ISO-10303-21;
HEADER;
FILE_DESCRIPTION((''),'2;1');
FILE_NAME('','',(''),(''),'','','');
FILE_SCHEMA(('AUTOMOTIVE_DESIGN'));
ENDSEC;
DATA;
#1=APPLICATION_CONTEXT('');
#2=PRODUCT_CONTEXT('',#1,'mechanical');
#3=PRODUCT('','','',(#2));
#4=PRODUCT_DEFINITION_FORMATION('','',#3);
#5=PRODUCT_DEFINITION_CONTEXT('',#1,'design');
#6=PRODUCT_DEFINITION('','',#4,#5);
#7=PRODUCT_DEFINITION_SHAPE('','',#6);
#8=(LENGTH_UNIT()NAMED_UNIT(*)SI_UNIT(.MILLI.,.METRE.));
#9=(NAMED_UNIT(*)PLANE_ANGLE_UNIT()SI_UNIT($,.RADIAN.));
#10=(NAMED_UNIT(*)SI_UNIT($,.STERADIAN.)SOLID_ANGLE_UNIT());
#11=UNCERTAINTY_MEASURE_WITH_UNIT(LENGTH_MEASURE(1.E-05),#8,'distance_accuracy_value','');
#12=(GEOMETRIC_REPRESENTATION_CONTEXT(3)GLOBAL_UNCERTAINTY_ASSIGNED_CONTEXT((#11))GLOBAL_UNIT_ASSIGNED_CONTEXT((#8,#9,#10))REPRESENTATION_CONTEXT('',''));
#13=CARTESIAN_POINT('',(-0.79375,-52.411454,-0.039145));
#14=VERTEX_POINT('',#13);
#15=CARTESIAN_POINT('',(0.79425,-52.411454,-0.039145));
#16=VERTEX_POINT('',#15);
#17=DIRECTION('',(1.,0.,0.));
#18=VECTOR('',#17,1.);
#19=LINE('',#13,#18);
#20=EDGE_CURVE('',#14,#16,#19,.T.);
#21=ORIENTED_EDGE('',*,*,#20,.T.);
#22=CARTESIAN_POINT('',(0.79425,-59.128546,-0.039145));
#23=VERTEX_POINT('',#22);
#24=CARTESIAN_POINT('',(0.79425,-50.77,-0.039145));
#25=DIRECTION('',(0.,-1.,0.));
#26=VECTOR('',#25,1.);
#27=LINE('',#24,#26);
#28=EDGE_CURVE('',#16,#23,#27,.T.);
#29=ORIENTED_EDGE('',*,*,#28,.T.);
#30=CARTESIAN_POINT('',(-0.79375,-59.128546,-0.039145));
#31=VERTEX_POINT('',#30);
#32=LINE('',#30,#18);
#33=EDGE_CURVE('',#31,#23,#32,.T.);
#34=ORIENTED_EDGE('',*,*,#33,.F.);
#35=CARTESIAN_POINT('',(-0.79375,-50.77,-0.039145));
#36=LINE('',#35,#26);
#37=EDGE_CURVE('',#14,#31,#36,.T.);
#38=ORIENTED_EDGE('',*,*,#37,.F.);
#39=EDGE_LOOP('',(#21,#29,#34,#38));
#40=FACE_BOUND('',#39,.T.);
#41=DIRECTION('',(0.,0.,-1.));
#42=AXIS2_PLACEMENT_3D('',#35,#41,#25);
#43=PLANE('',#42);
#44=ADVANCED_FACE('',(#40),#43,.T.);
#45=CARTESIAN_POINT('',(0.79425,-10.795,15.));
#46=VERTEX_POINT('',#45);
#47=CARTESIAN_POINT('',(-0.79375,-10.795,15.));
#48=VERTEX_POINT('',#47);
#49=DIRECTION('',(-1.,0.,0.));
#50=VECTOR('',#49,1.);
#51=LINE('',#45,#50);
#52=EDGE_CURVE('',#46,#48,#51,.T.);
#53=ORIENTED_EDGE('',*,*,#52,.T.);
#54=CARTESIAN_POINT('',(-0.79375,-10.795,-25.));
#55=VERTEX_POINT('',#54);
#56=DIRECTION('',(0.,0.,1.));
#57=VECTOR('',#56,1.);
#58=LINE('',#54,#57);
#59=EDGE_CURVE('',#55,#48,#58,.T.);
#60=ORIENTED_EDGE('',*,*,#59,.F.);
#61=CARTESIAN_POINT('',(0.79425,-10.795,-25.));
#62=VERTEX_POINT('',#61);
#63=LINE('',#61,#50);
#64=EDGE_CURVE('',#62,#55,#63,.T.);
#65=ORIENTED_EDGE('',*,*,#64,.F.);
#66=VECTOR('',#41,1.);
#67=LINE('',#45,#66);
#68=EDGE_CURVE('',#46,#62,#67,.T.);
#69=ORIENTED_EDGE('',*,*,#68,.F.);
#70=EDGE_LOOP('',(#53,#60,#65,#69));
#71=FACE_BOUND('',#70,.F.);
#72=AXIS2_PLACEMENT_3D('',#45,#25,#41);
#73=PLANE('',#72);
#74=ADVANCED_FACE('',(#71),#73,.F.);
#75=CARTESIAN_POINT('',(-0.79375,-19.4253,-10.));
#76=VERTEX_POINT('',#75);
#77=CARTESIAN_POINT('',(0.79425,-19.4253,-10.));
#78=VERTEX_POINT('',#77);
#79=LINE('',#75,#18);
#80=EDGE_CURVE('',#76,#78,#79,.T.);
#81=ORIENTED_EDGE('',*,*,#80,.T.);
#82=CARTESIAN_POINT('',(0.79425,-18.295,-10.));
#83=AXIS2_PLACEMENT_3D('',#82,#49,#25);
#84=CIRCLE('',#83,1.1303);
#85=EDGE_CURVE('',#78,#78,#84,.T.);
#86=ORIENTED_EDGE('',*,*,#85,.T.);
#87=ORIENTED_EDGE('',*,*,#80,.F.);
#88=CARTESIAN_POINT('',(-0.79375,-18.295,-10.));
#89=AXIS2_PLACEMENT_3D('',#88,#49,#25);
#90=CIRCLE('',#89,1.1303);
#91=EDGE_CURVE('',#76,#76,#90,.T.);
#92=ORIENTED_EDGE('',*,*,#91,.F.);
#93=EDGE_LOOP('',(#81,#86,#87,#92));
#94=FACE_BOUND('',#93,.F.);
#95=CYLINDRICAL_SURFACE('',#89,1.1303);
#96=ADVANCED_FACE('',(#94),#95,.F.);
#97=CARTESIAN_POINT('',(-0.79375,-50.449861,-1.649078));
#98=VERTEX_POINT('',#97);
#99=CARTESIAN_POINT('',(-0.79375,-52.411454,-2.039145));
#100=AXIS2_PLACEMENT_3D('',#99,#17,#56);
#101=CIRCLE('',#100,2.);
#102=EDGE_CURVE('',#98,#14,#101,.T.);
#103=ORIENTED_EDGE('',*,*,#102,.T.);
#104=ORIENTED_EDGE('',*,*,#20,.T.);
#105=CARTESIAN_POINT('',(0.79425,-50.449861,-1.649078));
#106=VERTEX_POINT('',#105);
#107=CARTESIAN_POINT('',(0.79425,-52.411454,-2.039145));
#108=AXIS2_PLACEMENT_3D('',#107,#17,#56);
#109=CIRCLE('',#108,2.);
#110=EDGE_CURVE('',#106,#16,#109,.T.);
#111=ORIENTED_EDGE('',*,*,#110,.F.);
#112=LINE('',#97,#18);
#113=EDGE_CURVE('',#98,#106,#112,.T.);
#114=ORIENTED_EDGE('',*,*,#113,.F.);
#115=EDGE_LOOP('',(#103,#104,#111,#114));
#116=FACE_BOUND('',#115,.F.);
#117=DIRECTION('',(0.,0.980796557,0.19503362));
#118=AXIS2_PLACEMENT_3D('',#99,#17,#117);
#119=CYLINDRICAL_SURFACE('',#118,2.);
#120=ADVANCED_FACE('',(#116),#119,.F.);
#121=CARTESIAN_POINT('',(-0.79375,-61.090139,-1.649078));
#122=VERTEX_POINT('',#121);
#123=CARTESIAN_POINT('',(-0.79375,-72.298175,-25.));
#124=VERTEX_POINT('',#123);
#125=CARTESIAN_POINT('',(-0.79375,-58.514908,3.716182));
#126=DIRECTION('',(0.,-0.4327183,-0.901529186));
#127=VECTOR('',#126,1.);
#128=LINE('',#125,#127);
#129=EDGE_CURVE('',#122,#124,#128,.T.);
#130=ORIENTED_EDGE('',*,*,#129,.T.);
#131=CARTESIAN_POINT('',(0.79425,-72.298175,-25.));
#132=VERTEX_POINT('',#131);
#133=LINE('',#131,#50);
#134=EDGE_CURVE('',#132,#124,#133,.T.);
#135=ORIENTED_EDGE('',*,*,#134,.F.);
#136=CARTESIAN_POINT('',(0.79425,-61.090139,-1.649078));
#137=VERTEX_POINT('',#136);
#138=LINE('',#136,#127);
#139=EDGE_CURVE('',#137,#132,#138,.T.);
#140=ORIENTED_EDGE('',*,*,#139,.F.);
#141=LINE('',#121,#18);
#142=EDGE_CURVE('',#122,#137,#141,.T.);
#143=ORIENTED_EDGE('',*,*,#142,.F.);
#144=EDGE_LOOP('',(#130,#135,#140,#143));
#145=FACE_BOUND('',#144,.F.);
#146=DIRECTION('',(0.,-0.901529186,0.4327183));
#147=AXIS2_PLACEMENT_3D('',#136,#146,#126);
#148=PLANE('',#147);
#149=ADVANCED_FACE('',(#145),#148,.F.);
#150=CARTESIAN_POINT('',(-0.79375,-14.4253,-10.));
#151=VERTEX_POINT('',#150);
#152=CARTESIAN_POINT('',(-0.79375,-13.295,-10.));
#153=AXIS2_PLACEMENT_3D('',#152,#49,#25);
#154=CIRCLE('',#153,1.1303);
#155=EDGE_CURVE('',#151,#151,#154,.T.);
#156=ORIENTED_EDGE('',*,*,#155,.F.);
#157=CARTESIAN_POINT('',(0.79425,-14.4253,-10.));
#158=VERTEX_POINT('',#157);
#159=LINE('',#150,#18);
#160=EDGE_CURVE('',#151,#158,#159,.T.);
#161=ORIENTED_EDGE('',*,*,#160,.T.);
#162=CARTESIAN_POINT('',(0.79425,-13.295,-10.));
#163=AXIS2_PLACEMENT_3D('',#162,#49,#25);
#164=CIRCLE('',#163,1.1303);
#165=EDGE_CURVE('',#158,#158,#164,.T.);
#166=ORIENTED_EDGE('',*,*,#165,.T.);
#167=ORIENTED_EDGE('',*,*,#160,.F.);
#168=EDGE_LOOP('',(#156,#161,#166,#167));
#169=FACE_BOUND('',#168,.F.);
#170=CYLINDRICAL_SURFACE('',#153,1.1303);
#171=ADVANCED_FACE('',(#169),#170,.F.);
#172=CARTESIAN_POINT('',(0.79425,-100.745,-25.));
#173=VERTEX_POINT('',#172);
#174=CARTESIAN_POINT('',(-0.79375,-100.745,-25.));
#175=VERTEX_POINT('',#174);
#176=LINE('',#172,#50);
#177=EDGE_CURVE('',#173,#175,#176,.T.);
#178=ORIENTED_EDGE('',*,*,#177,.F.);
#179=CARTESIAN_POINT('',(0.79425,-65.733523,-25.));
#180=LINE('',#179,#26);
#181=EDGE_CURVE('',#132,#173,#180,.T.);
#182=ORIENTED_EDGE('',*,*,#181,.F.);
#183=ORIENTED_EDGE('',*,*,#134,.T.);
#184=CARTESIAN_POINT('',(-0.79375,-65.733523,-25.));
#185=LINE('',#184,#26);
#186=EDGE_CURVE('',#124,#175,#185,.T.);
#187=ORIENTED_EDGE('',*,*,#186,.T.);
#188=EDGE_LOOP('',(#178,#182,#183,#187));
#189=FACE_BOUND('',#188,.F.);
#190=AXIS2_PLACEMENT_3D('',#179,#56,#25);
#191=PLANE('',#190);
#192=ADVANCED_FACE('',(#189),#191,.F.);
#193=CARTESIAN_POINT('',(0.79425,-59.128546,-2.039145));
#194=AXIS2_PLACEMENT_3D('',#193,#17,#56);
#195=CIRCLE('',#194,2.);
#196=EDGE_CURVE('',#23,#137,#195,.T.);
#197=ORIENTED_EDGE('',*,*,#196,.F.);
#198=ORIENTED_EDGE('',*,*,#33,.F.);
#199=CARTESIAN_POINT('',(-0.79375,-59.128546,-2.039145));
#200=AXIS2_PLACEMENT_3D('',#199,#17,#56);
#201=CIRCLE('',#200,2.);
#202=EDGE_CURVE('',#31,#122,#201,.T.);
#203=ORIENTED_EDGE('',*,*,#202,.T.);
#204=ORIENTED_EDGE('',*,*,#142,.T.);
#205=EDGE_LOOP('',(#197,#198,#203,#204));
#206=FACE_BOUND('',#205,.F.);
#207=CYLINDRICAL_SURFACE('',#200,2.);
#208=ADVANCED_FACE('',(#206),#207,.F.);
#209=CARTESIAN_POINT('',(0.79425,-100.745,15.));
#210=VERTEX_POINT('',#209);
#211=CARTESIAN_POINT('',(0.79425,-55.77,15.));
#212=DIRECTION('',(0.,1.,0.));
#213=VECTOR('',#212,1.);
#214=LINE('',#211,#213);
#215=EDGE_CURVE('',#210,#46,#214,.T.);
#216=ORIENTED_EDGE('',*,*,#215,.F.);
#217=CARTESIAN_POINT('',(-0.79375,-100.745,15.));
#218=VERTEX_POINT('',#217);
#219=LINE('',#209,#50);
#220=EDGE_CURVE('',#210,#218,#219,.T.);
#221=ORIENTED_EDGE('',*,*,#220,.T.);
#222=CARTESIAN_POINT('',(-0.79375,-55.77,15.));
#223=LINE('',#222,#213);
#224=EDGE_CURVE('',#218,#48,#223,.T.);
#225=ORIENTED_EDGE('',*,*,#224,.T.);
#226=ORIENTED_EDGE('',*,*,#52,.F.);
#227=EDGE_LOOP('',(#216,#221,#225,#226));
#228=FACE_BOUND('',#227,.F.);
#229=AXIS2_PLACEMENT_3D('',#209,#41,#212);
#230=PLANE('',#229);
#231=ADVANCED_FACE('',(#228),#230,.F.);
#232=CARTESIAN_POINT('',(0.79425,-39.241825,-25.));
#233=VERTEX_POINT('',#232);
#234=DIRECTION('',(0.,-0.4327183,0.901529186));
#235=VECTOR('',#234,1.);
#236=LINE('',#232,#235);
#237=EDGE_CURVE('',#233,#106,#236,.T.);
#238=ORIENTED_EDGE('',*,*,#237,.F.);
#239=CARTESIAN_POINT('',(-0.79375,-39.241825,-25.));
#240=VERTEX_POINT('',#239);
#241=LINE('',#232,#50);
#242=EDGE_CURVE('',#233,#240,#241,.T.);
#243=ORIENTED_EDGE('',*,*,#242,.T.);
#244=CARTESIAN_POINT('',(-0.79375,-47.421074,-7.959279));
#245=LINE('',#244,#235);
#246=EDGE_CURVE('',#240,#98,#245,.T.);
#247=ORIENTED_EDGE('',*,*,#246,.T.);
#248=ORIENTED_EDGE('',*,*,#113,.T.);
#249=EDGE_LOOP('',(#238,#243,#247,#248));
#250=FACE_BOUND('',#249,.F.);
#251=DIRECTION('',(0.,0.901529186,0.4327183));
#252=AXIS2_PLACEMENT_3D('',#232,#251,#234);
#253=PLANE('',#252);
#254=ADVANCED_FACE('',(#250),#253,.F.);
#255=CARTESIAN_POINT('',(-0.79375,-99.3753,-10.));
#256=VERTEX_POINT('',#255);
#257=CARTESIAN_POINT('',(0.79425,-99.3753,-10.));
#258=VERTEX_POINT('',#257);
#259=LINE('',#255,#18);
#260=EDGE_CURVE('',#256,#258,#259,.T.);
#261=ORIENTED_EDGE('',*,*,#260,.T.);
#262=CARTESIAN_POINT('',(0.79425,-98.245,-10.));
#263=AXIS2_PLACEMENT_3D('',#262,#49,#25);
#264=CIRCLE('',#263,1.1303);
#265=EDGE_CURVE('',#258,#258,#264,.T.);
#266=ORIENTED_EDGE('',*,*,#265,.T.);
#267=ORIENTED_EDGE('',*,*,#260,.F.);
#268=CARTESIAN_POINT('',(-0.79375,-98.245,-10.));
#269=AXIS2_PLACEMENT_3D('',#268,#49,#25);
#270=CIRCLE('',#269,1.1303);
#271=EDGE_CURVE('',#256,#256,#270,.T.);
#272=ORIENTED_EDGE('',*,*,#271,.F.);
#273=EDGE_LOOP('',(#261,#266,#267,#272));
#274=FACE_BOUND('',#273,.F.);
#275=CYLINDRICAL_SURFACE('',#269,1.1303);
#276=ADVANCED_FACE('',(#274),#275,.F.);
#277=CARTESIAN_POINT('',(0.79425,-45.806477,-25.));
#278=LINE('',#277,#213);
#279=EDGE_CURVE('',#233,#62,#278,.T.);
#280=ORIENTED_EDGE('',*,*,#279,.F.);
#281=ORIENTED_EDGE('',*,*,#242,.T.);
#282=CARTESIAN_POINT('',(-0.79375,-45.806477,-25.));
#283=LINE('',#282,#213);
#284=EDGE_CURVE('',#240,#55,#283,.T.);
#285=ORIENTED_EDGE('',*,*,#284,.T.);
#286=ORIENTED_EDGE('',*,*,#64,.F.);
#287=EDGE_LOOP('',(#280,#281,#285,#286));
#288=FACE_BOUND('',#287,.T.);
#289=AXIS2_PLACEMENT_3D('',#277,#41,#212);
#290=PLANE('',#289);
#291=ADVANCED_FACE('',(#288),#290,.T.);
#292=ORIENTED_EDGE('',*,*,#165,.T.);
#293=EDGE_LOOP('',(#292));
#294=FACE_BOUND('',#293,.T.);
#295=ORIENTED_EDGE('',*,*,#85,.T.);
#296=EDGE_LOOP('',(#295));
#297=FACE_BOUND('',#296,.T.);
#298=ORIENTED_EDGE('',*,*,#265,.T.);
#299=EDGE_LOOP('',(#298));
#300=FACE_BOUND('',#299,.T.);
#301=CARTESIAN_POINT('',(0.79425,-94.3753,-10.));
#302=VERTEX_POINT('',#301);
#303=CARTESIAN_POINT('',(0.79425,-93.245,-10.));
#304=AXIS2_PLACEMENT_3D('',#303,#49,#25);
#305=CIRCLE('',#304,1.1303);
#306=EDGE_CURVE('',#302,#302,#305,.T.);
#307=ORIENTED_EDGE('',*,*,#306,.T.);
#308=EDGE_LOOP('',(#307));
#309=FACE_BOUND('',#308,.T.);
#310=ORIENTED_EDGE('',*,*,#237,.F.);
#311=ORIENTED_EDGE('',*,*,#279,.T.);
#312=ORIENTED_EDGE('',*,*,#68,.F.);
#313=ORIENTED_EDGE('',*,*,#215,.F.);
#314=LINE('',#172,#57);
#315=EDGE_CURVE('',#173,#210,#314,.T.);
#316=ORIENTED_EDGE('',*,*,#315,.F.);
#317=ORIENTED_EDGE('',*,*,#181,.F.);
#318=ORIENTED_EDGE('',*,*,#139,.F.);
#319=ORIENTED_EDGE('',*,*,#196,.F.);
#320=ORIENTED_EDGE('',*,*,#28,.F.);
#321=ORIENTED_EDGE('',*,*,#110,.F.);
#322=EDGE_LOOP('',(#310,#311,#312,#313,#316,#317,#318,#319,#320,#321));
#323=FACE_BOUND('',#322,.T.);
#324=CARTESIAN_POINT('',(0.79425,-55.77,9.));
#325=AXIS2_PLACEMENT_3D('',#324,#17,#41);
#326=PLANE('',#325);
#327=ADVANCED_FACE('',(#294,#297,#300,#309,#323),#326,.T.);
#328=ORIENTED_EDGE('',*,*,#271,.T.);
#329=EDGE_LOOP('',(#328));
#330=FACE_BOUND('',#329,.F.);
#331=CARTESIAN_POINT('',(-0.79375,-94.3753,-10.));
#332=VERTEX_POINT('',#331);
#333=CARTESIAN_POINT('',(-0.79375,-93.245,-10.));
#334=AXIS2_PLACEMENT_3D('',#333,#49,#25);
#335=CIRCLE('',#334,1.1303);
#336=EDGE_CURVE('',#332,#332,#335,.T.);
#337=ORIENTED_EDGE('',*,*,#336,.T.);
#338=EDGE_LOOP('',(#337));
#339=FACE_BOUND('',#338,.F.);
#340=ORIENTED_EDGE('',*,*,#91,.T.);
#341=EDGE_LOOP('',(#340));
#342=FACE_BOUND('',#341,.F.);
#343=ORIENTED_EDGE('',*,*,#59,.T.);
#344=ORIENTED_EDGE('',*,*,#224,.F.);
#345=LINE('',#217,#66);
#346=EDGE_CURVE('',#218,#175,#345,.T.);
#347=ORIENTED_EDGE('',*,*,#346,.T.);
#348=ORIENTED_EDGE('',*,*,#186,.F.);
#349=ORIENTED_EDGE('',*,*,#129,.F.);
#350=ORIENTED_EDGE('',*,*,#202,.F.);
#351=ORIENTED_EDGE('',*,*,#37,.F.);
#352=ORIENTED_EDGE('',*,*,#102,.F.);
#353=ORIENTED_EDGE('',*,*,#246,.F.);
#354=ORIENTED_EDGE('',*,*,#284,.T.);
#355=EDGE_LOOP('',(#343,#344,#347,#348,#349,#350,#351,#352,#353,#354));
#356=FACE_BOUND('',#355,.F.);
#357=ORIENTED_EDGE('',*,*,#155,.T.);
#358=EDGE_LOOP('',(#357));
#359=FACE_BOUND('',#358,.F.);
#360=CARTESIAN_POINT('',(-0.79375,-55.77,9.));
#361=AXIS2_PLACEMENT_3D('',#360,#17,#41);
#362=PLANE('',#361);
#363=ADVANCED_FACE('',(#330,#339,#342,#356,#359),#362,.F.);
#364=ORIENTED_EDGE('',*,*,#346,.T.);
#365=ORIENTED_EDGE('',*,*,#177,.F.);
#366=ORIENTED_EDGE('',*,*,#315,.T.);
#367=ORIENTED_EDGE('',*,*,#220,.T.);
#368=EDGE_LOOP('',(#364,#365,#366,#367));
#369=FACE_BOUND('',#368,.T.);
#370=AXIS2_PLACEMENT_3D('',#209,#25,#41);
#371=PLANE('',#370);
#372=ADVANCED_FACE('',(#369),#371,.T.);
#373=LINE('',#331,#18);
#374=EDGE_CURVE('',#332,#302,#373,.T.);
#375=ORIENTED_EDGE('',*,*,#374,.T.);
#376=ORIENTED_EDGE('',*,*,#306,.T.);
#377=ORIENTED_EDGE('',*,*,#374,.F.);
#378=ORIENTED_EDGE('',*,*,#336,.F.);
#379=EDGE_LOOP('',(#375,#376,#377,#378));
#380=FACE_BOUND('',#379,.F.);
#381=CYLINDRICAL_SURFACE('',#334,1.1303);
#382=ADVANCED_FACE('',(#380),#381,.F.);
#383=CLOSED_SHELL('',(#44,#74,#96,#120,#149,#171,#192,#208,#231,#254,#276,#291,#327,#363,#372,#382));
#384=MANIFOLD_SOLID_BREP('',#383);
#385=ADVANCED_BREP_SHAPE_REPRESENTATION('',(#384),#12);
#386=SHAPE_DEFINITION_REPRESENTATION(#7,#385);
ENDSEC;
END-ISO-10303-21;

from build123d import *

# Parameters (mm, degrees)
SKETCH_1_R          = 1.1303
EXTRUDE_1_DEPTH     = 1.588
FILLET_1_R          = 2
FILLET_2_R          = 2
FILLET_3_R          = 2
FILLET_4_R          = 2
SKETCH_2_W          = 12
SKETCH_2_H          = 89.95
EXTRUDE_2_DEPTH     = 1.588
CUT_EXTRUDE_1_DEPTH = 10


with BuildPart() as part:
    # 草图1 → 凸台-拉伸1 (new body)
    with BuildSketch(Plane(origin=(-0.79375, 0, 0), x_dir=(0, -1, 0), z_dir=(-1, 0, 0))):
        with BuildLine():
            Line((38.795, 5), (12.795, 5))
            ThreePointArc((12.795, 5), (11.380786438, 4.414213562), (10.795, 3))
            Line((10.795, 3), (10.795, -13))
            ThreePointArc((10.795, -13), (11.380786438, -14.414213562), (12.795, -15))
            Line((12.795, -15), (47.795, -15))
            Line((47.795, -15), (50.77, -0.039144756))
            Line((50.77, -0.039144756), (55.77, -0.039144756))
            Line((55.77, -0.039144756), (60.77, -0.039144756))
            Line((60.77, -0.039144756), (63.745, -15))
            Line((63.745, -15), (98.745, -15))
            ThreePointArc((98.745, -15), (100.159213562, -14.414213562), (100.745, -13))
            Line((100.745, -13), (100.745, 3))
            ThreePointArc((100.745, 3), (100.159213562, 4.414213562), (98.745, 5))
            Line((98.745, 5), (72.745, 5))
            Line((72.745, 5), (38.795, 5))
        make_face()
        with Locations((13.295, -10)):
            Circle(SKETCH_1_R, mode=Mode.SUBTRACT)
        with Locations((18.295, -10)):
            Circle(SKETCH_1_R, mode=Mode.SUBTRACT)
        with Locations((93.245, -10)):
            Circle(SKETCH_1_R, mode=Mode.SUBTRACT)
        with Locations((98.245, -10)):
            Circle(SKETCH_1_R, mode=Mode.SUBTRACT)
    extrude(amount=-EXTRUDE_1_DEPTH)

    # 圆角1
    fillet_1_edges = [part.edges().sort_by_distance(p)[0] for p in [
        (0.00025, -47.795, -15),
    ]]
    fillet(fillet_1_edges, radius=FILLET_1_R)

    # 圆角2
    fillet_2_edges = [part.edges().sort_by_distance(p)[0] for p in [
        (0.00025, -50.77, -0.039144756),
    ]]
    fillet(fillet_2_edges, radius=FILLET_2_R)

    # 圆角3
    fillet_3_edges = [part.edges().sort_by_distance(p)[0] for p in [
        (0.00025, -60.77, -0.039144756),
    ]]
    fillet(fillet_3_edges, radius=FILLET_3_R)

    # 圆角4
    fillet_4_edges = [part.edges().sort_by_distance(p)[0] for p in [
        (0.00025, -63.745, -15),
    ]]
    fillet(fillet_4_edges, radius=FILLET_4_R)

    # 草图2 → 凸台-拉伸2 (add)
    with BuildSketch(Plane(origin=(0.79425, 0, 0), x_dir=(0, 0, -1), z_dir=(1, 0, 0))):
        with Locations((-9, -55.77)):
            Rectangle(SKETCH_2_W, SKETCH_2_H)
        Polygon((13.39006724, -48.115138781), (25, -45.806477318), (25, -10.795), (13, -10.795), align=None)
        Polygon((13.39006724, -63.424861219), (25, -65.733522682), (25, -100.745), (13, -100.745), align=None)
    extrude(amount=-EXTRUDE_2_DEPTH)

    # 草图5 → 切除-拉伸1 (cut)
    with BuildSketch(Plane(origin=(0.79425, 0, 0), x_dir=(0, 0, -1), z_dir=(1, 0, 0))):
        Polygon((1.649077515, -50.449861219), (25, -45.806477318), (25, -39.241825321), align=None)
        Polygon((1.649077515, -61.090138781), (25, -72.298174679), (25, -65.733522682), align=None)
    extrude(amount=-CUT_EXTRUDE_1_DEPTH, mode=Mode.SUBTRACT)


solid = part.part
